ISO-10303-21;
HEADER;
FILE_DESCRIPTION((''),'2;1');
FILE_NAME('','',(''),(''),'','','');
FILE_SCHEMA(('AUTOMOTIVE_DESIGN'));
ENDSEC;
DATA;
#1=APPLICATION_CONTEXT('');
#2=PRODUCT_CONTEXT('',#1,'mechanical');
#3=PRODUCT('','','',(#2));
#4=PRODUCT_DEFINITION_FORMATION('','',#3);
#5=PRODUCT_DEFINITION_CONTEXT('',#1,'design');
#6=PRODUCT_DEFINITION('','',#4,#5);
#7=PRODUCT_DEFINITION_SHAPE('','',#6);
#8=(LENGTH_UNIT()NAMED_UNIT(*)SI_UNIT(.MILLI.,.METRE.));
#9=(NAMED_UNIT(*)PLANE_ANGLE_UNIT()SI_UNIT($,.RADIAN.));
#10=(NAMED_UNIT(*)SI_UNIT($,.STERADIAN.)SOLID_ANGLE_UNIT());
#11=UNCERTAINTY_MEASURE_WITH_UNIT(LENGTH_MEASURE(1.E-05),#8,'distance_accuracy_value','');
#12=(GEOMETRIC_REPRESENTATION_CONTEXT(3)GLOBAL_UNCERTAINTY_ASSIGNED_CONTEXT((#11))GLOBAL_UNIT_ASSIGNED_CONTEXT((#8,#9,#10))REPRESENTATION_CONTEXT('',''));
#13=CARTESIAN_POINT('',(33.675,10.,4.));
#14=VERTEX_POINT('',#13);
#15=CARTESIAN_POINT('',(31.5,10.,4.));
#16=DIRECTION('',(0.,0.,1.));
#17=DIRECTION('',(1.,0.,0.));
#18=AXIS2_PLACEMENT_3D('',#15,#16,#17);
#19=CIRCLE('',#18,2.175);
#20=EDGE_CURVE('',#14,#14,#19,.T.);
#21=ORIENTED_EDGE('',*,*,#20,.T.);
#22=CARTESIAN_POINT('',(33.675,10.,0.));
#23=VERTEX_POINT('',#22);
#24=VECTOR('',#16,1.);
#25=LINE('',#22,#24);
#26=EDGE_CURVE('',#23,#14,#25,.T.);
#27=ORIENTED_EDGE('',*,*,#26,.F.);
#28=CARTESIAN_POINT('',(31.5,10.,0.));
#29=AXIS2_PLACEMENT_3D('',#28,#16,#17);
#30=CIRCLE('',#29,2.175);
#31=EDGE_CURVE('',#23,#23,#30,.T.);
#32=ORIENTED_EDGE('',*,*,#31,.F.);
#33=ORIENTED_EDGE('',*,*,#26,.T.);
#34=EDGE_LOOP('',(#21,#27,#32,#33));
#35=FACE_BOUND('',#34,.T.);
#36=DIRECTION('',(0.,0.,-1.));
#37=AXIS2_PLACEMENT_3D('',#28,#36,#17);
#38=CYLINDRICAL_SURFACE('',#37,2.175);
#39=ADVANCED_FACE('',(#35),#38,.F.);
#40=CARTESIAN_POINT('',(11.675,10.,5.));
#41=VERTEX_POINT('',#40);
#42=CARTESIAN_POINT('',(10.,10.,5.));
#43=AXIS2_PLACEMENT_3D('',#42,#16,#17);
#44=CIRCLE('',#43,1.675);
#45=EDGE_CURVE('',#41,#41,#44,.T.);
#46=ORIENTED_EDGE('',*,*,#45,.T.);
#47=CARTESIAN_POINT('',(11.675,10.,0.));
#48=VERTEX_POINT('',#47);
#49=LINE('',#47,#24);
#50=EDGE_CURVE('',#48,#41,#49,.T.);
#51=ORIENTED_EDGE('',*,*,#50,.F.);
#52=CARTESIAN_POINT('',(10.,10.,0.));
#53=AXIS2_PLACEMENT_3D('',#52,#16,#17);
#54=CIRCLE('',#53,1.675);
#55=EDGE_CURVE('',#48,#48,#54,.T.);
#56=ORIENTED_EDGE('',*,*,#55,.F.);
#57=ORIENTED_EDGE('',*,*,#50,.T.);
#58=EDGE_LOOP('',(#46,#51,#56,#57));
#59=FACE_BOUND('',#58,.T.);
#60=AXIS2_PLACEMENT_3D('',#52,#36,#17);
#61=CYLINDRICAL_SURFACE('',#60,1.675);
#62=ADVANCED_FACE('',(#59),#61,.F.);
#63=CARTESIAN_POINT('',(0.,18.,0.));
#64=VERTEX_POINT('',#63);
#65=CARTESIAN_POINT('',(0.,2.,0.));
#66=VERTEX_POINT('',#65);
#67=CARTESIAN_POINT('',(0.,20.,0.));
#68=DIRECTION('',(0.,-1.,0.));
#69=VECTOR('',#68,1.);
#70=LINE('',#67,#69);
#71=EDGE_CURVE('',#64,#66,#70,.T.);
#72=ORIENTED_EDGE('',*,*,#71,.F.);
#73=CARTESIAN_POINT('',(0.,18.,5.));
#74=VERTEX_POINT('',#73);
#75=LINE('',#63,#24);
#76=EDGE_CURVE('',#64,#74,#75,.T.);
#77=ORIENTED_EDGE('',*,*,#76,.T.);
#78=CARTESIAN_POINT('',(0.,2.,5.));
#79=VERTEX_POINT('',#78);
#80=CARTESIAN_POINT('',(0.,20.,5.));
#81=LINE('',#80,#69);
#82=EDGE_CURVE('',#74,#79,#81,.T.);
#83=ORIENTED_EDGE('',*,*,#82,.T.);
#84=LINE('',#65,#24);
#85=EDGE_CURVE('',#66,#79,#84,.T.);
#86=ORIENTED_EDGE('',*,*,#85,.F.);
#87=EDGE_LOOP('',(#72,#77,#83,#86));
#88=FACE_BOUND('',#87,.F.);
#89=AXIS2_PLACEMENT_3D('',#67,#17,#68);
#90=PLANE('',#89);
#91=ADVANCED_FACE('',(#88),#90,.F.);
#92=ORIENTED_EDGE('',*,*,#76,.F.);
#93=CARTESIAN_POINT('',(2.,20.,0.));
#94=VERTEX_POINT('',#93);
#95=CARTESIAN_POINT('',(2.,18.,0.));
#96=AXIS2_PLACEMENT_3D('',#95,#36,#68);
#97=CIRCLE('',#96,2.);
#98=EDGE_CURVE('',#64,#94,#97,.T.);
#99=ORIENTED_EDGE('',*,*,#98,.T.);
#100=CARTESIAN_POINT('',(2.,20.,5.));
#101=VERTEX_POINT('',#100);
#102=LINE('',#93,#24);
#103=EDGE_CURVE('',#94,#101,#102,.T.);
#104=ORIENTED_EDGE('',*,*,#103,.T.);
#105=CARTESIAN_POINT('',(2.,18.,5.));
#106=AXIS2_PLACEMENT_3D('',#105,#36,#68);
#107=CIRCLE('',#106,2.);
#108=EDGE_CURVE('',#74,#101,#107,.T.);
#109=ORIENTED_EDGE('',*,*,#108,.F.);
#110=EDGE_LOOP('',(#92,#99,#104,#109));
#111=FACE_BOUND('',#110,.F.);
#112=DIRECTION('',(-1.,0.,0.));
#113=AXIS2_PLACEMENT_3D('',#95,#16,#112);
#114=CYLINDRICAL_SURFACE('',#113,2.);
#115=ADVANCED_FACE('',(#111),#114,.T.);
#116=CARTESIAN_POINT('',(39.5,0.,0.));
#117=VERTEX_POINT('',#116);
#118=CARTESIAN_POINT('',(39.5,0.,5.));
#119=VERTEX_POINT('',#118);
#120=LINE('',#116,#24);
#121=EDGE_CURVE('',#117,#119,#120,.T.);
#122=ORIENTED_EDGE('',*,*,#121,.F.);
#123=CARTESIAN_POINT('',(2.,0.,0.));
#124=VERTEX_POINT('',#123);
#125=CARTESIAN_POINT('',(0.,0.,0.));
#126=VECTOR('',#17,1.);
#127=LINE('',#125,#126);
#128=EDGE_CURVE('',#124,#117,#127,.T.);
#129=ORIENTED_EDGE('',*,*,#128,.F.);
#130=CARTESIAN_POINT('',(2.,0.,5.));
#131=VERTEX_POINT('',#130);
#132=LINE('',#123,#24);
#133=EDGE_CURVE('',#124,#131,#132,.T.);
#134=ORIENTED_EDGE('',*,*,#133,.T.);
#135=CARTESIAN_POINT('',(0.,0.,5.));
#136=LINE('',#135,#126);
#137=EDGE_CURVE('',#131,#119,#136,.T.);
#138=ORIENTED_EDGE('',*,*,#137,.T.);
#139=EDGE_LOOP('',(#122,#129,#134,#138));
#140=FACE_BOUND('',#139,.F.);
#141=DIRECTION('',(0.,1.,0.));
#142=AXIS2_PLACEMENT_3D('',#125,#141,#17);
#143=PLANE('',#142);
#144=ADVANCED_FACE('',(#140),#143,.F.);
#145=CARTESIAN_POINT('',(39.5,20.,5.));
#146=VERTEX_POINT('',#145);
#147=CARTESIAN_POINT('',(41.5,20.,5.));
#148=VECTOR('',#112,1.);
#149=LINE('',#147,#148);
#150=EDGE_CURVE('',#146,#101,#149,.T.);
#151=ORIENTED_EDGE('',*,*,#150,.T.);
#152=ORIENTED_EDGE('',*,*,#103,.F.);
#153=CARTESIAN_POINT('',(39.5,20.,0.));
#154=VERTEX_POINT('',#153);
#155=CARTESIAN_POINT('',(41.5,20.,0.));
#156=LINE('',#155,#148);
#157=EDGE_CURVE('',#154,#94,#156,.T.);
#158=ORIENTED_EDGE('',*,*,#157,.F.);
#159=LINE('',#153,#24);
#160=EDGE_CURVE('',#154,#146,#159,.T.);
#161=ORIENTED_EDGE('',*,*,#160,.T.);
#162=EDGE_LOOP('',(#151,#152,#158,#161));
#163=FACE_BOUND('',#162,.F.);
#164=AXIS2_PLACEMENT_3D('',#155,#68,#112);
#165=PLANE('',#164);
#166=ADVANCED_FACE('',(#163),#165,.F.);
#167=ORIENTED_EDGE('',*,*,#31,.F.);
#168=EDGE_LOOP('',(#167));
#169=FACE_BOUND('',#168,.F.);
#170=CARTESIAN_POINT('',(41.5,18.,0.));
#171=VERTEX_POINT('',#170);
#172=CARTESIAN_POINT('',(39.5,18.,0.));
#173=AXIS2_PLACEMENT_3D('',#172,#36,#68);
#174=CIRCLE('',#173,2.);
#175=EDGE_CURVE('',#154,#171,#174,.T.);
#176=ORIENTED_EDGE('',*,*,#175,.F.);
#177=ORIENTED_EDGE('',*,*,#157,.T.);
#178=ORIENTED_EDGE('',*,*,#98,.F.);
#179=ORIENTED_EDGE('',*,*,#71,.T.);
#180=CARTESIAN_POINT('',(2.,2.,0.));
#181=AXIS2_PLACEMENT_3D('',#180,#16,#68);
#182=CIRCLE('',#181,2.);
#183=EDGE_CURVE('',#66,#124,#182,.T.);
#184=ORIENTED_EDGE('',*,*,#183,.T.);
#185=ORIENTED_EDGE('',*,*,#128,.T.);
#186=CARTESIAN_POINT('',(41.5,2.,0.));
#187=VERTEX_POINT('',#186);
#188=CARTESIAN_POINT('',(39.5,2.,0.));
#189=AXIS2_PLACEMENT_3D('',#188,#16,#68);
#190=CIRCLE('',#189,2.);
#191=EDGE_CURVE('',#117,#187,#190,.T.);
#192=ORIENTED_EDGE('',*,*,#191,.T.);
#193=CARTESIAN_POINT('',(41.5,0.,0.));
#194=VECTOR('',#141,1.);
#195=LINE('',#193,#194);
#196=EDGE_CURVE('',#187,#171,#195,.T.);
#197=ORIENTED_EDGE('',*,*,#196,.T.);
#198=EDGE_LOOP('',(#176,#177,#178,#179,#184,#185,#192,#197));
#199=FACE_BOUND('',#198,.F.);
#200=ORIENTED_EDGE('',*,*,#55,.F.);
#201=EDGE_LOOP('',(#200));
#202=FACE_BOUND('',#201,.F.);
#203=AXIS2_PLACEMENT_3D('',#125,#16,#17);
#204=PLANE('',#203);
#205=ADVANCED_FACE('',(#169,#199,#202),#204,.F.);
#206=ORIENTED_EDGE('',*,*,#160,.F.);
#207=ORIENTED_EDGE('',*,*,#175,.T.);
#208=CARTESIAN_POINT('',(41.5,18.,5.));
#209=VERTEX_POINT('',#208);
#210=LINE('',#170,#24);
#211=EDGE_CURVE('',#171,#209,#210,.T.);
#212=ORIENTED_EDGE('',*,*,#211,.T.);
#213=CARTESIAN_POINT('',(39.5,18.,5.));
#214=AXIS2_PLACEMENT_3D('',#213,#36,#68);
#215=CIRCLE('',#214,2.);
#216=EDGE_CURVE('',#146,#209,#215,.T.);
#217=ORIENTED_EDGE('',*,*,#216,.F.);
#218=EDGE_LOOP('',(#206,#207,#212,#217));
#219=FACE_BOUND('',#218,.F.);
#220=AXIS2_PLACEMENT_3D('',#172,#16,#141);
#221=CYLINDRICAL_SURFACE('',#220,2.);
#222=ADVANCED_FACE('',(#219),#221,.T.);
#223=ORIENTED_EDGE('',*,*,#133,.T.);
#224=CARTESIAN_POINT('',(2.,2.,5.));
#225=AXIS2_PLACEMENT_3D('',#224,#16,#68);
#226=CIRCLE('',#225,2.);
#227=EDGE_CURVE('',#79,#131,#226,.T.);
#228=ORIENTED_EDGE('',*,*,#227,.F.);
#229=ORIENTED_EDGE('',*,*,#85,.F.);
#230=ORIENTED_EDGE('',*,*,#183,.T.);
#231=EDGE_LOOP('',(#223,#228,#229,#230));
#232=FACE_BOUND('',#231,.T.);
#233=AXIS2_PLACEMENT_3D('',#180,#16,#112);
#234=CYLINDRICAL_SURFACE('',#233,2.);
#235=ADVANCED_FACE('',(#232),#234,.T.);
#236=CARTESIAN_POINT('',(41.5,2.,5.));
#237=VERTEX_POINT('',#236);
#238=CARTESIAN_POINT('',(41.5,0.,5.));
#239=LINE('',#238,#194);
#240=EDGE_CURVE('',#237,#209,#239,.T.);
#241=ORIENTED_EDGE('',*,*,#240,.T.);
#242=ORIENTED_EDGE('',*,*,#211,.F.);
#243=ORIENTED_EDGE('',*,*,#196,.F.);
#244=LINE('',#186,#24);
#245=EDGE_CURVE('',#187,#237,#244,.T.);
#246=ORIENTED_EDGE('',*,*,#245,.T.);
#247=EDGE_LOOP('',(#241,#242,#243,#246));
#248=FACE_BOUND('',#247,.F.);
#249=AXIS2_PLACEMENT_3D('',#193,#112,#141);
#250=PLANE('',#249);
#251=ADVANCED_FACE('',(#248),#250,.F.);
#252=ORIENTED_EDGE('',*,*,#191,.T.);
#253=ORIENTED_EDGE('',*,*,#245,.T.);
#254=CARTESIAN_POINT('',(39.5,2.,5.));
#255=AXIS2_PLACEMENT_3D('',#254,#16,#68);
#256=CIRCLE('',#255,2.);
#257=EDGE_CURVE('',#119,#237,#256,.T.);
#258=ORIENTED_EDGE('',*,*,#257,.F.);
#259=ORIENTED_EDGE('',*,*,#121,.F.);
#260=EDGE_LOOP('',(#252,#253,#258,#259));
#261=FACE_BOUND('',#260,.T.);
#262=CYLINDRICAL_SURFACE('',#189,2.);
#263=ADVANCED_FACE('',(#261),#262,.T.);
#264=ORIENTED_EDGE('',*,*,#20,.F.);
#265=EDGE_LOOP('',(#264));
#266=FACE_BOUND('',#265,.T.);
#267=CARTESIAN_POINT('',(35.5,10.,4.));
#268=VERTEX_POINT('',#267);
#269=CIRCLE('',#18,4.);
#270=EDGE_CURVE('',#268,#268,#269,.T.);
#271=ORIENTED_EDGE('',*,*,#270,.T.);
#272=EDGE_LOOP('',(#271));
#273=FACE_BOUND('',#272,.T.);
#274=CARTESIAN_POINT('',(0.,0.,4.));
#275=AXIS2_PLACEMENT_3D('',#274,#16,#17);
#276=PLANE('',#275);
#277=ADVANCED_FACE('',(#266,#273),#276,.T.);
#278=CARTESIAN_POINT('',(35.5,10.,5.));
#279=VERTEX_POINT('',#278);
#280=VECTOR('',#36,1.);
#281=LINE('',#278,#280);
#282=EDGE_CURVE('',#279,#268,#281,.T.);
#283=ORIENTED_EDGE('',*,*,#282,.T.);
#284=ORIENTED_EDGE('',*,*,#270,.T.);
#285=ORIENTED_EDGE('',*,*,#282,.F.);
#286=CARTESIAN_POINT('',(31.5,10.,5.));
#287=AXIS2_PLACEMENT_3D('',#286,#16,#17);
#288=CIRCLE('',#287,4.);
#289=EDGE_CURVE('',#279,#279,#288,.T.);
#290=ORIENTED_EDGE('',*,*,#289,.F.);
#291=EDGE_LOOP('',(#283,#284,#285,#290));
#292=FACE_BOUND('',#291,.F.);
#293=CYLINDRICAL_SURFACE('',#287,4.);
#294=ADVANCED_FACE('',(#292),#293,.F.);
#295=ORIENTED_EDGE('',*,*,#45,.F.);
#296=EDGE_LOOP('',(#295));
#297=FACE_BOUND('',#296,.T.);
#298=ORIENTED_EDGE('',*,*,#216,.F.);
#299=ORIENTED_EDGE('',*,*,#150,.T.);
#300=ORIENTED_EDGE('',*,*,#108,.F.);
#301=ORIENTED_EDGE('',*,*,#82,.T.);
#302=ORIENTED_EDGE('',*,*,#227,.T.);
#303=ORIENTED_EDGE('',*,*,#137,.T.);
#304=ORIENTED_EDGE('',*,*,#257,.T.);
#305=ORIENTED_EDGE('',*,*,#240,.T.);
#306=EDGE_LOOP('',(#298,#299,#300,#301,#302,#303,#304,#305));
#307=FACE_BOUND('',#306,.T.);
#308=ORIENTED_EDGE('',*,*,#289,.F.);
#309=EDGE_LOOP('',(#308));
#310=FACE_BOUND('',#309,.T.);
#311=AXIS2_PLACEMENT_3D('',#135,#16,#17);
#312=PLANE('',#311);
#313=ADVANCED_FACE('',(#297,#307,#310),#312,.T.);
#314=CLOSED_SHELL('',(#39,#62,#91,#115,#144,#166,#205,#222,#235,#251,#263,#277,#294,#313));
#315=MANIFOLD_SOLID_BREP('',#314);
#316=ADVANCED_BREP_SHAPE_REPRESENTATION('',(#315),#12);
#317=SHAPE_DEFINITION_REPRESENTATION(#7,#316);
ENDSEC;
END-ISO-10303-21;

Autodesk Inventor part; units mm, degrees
ref_plane "YZ Plane" through (0, 0, 0) normal (1, 0, 0) x (0, 1, 0)
ref_plane "XZ Plane" through (0, 0, 0) normal (0, 1, 0) x (-1, 0, 0)
ref_plane "XY Plane" through (0, 0, 0) normal (0, 0, 1) x (1, 0, 0)
sketch "Sketch1" plane through (0, 0, 0) normal (0, 0, 1) x (1, 0, 0)
  line L0 (0, 0) -> (41.5, 0)
  line L1 (41.5, 0) -> (41.5, 20)
  line L2 (41.5, 20) -> (0, 20)
  line L3 (0, 20) -> (0, 0)
  circle A0 centre (31.5, 10) radius 2.175
  circle A1 centre (10, 10) radius 1.675
  line L4 (20, 20) -> (20, 0) construction
  point P0 (41.5, 10)
  dimension "d0" = 41.5
  dimension "d1" = 4.35
  dimension "d2" = 3.35
  dimension "d3" = 20
  dimension "d4" = 10
  dimension "d5" = 10
  dimension "d6" = 11.5
extrude "Extrusion1" add sketch "Sketch1" along normal blind 5
sketch "Sketch2" plane through (0, 0, 5) normal (0, 0, 1) x (1, 0, 0)
  circle A0 centre (31.5, 10) radius 2.175 projected
  circle A1 centre (31.5, 10) radius 4
  point P0 (0, 0)
  dimension "d9" = 8
extrude "Extrusion2" cut sketch "Sketch2" against normal blind 1
fillet "Fillet1" radius 2 4 edges at (0, 20, 2.5) (41.5, 20, 2.5) (41.5, 0, 2.5) (0, 0, 2.5)
properties part number "PSU_bracket"
